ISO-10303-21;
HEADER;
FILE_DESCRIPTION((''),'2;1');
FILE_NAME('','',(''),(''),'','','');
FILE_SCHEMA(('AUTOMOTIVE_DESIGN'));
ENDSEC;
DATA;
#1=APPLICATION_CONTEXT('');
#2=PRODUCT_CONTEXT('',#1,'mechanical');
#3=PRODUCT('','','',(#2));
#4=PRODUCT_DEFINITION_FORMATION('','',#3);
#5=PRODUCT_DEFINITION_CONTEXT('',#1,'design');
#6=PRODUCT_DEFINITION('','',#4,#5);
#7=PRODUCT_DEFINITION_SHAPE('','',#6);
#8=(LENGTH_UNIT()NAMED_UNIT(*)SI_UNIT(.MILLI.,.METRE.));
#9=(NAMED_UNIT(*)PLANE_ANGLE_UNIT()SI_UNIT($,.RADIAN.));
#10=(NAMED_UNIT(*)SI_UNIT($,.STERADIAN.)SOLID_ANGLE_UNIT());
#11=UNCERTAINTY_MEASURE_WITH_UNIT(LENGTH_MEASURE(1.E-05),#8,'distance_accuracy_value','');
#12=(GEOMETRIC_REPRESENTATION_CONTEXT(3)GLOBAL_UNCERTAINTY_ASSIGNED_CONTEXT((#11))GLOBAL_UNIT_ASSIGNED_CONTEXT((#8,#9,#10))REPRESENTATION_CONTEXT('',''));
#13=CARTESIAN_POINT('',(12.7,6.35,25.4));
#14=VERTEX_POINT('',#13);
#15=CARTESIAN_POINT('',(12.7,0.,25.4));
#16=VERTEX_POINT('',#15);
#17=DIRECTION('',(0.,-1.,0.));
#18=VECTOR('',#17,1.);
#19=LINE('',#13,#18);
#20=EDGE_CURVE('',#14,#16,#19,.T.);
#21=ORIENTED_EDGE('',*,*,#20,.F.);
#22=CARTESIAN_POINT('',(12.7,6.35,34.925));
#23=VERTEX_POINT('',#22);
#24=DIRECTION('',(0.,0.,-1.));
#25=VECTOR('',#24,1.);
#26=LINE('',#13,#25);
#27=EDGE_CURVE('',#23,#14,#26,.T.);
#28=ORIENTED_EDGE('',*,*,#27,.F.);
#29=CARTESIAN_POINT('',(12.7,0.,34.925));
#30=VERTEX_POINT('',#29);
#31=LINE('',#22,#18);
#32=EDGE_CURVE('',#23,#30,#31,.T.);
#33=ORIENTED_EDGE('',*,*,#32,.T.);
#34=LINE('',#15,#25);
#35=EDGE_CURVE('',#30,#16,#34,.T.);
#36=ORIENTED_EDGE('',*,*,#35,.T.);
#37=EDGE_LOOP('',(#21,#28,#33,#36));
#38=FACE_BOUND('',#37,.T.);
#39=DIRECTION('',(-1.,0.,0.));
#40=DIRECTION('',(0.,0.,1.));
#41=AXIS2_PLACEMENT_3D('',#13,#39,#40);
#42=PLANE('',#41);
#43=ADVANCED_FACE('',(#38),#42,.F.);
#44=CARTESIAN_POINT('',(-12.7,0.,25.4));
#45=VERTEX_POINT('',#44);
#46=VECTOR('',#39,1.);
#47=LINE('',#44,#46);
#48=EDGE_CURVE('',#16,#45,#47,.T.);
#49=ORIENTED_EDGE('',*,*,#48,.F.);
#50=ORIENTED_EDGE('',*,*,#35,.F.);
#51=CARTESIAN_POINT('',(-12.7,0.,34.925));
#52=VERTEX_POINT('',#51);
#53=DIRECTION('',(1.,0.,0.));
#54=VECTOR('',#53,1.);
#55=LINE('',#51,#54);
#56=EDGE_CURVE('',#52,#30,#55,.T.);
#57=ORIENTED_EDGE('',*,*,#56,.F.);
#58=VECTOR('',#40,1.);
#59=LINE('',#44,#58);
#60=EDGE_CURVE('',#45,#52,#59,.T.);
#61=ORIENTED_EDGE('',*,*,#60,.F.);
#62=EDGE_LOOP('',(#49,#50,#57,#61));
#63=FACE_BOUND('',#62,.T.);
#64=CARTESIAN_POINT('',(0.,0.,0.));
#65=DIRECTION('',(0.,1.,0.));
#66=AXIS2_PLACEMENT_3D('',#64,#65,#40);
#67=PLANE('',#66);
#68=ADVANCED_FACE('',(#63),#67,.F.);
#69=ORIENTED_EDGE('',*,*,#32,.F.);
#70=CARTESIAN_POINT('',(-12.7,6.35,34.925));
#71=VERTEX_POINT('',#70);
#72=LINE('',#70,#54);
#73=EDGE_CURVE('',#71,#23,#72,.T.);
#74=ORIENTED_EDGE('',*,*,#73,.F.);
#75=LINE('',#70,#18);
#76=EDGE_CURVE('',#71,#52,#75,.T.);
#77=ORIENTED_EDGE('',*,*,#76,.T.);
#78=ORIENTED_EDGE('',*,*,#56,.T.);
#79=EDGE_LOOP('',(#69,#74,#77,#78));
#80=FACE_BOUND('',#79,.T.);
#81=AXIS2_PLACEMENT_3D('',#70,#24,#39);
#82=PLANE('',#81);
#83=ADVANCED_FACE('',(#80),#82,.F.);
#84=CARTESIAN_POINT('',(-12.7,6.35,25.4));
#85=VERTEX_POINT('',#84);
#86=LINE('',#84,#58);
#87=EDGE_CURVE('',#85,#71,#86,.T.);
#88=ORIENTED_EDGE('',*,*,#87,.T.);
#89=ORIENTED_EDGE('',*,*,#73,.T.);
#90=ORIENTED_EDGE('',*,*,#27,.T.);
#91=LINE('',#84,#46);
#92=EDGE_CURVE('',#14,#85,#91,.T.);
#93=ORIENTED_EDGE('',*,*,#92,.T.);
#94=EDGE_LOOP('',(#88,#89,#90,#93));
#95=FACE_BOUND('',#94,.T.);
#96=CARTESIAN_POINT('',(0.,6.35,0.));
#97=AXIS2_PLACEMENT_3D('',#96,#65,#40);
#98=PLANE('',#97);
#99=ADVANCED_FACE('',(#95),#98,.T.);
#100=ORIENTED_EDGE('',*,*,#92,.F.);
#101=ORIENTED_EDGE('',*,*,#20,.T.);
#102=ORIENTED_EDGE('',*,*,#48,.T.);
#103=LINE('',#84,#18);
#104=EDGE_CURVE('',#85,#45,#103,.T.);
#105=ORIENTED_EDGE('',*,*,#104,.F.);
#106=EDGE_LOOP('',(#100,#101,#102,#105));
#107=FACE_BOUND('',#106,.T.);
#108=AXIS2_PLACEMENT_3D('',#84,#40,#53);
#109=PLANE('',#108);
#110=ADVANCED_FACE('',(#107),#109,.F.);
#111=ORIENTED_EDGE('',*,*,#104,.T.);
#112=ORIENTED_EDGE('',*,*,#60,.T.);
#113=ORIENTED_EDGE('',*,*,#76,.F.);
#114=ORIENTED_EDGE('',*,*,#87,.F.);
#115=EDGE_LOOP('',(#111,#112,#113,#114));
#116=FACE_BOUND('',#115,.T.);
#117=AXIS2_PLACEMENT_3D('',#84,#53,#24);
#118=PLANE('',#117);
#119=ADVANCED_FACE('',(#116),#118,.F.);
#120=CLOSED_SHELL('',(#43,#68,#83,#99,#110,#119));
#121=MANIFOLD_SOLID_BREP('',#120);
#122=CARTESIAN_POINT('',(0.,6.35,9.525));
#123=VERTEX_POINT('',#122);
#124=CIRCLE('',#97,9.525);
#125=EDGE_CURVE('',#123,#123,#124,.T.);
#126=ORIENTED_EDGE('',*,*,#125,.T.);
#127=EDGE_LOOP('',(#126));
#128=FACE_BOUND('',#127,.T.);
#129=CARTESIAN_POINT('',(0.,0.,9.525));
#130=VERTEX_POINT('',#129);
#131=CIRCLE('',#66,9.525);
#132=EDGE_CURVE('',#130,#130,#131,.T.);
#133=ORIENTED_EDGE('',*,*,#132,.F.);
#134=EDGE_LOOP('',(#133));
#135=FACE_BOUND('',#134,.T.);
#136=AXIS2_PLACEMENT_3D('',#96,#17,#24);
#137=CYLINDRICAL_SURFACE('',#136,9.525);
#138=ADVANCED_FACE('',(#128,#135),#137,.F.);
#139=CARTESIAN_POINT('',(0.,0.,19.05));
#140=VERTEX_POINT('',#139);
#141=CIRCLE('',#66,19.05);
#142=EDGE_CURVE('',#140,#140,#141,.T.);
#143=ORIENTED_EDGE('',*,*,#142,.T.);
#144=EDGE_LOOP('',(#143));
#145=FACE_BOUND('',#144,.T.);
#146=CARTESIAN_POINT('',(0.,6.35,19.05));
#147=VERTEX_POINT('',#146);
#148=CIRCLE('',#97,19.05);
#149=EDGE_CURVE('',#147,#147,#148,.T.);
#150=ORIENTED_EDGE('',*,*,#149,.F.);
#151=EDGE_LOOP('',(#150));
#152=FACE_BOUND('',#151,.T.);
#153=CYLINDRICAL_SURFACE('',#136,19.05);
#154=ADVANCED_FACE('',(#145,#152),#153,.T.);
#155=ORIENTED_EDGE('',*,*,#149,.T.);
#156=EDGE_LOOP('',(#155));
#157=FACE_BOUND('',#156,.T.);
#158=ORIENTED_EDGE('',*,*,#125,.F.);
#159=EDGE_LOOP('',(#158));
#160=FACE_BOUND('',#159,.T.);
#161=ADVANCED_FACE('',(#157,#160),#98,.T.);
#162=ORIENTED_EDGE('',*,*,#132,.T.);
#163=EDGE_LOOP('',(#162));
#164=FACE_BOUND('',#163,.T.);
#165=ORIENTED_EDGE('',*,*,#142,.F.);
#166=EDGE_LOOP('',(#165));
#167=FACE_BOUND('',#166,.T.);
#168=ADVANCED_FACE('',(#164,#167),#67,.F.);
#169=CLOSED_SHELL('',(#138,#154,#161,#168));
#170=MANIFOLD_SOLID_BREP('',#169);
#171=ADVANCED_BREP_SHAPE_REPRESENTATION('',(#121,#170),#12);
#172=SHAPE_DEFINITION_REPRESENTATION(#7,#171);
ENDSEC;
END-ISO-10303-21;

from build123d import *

# Parameters (mm, degrees)
SKETCH1_R             = 19.05
SKETCH1_R_2           = 9.525
BOSS_EXTRUDE1_DEPTH   = 6.35
SKETCH1_W             = 25.4
SKETCH1_H             = 9.525
BOSS_EXTRUDE1_2_DEPTH = 6.35


with BuildPart() as part:
    # Sketch1 → Boss-Extrude1 (new body)
    with BuildSketch(Plane(origin=(0, 0, 0), x_dir=(1, 0, 0), z_dir=(0, 1, 0))):
        with Locations(Location((0, 0, 0), (0, 0, 270))):
            Circle(SKETCH1_R)
        with Locations(Location((0, 0, 0), (0, 0, 270))):
            Circle(SKETCH1_R_2, mode=Mode.SUBTRACT)
    extrude(amount=BOSS_EXTRUDE1_DEPTH)


with BuildPart() as body_2:
    # Sketch1 → Boss-Extrude1 2 (new body)
    with BuildSketch(Plane(origin=(0, 0, 0), x_dir=(1, 0, 0), z_dir=(0, 1, 0))):
        with Locations((0, -30.1625)):
            Rectangle(SKETCH1_W, SKETCH1_H)
    extrude(amount=BOSS_EXTRUDE1_2_DEPTH)


solid = Compound([part.part, body_2.part])
